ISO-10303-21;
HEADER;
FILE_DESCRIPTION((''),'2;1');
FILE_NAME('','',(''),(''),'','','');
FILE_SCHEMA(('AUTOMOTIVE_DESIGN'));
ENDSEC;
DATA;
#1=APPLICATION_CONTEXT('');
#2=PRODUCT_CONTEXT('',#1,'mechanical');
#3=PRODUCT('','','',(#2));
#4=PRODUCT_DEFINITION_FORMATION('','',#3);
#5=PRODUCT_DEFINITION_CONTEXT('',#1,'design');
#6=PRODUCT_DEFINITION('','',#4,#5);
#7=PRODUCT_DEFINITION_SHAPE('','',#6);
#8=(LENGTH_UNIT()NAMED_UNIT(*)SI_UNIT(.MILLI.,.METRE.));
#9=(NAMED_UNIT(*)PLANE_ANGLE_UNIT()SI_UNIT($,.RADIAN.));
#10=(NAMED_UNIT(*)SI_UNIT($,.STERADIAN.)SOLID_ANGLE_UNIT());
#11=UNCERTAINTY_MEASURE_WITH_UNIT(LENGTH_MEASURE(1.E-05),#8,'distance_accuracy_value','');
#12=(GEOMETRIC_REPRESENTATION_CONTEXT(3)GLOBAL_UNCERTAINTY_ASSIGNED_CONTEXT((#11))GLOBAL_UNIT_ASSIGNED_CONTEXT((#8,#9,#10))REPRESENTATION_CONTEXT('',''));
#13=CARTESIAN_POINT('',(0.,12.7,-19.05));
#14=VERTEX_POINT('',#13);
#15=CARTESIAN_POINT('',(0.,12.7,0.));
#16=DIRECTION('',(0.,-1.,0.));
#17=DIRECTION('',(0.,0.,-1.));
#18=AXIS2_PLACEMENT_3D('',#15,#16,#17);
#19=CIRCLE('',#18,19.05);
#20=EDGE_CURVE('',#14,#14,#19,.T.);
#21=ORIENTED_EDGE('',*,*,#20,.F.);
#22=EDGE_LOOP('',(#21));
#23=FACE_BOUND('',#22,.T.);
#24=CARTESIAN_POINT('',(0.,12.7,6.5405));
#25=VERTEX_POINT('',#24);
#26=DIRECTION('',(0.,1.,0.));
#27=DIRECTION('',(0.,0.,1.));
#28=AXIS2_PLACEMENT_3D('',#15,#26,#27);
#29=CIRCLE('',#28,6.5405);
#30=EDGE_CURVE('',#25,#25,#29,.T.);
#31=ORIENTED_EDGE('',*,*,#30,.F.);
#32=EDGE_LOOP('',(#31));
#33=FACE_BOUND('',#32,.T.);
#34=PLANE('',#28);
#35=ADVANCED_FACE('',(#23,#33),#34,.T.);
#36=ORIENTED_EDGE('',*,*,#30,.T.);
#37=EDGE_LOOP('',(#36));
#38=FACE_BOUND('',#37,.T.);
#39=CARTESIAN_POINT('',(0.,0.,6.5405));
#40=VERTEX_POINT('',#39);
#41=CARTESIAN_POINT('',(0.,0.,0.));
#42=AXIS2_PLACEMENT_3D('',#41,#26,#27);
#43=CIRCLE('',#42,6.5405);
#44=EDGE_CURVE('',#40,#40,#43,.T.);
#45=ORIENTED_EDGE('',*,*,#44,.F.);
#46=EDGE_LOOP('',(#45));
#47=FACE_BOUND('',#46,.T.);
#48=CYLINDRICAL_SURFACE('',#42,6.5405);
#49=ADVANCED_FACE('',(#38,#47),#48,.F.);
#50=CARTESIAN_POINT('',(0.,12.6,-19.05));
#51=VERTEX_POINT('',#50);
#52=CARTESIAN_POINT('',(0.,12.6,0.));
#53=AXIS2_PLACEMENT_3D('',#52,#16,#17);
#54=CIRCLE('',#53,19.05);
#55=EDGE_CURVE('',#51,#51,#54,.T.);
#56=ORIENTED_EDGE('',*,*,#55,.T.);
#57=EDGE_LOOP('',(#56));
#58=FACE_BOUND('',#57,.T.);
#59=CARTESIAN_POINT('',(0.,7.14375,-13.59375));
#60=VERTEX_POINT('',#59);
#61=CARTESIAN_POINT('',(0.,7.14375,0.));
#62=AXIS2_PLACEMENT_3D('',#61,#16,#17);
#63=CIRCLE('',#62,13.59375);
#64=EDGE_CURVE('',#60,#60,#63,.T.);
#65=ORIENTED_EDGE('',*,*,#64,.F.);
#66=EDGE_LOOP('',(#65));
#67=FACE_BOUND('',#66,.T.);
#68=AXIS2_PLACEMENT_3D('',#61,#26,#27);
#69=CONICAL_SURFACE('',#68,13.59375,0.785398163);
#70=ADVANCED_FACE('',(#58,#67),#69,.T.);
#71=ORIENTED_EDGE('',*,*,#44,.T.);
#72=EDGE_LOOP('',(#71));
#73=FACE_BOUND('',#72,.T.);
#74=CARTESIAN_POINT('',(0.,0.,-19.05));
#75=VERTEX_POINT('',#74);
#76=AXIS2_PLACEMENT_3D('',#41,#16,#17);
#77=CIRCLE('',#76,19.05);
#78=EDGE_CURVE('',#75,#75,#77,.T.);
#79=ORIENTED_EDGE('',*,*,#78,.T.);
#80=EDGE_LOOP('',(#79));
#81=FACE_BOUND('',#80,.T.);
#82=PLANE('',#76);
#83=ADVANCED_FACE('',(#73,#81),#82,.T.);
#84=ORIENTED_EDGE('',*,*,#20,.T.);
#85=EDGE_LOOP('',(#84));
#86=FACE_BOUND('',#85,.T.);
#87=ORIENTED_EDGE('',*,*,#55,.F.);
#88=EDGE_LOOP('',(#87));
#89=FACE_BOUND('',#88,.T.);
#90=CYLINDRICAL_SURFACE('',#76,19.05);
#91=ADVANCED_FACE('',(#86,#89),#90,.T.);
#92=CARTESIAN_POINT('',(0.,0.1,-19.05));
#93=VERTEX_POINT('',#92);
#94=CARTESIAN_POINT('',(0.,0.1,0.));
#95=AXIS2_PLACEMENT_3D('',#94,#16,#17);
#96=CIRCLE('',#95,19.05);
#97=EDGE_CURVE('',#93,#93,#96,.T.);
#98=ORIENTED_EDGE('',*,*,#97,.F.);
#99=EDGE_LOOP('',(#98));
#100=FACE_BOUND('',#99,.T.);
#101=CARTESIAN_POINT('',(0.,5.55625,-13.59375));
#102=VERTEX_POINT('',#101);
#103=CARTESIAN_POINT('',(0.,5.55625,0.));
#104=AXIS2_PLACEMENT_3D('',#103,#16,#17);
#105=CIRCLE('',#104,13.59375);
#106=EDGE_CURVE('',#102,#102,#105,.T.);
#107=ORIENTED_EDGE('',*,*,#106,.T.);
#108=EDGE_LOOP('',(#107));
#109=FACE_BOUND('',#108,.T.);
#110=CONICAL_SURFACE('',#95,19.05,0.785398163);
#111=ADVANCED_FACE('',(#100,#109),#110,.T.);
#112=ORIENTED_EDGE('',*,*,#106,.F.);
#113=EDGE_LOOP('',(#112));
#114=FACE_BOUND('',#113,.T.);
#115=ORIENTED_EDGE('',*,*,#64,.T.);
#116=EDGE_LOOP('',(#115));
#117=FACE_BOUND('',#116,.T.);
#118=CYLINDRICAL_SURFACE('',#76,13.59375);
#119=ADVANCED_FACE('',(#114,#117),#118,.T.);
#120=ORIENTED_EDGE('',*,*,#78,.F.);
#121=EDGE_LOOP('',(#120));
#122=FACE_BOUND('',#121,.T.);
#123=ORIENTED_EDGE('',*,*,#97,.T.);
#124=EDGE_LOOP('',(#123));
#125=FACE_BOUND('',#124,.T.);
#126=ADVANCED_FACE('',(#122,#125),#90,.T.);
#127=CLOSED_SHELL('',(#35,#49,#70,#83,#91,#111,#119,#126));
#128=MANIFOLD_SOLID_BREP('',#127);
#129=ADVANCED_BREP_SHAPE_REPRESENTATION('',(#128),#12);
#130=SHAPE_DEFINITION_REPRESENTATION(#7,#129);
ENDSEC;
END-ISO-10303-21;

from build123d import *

# Parameters (mm, degrees)
SKETCH7_R          = 6.5405
CUT_EXTRUDE2_DEPTH = 13.7


with BuildPart() as part:
    # Sketch2 → Revolve1 (revolve)
    with BuildSketch(Plane.XY):
        Polygon((0, 0), (19.05, 0), (19.05, 0.1), (13.59375, 5.55625), (13.59375, 7.14375), (19.05, 12.6), (19.05, 12.7), (0, 12.7), align=None)
    revolve(axis=Axis((0, 0, 0), (0, 1, 0)))

    # Sketch7 → Cut-Extrude2 (cut, through all)
    with BuildSketch(Plane(origin=(0, 12.7, 0), x_dir=(1, 0, 0), z_dir=(0, 1, 0))):
        Circle(SKETCH7_R)
    extrude(amount=-CUT_EXTRUDE2_DEPTH, mode=Mode.SUBTRACT)


solid = part.part
